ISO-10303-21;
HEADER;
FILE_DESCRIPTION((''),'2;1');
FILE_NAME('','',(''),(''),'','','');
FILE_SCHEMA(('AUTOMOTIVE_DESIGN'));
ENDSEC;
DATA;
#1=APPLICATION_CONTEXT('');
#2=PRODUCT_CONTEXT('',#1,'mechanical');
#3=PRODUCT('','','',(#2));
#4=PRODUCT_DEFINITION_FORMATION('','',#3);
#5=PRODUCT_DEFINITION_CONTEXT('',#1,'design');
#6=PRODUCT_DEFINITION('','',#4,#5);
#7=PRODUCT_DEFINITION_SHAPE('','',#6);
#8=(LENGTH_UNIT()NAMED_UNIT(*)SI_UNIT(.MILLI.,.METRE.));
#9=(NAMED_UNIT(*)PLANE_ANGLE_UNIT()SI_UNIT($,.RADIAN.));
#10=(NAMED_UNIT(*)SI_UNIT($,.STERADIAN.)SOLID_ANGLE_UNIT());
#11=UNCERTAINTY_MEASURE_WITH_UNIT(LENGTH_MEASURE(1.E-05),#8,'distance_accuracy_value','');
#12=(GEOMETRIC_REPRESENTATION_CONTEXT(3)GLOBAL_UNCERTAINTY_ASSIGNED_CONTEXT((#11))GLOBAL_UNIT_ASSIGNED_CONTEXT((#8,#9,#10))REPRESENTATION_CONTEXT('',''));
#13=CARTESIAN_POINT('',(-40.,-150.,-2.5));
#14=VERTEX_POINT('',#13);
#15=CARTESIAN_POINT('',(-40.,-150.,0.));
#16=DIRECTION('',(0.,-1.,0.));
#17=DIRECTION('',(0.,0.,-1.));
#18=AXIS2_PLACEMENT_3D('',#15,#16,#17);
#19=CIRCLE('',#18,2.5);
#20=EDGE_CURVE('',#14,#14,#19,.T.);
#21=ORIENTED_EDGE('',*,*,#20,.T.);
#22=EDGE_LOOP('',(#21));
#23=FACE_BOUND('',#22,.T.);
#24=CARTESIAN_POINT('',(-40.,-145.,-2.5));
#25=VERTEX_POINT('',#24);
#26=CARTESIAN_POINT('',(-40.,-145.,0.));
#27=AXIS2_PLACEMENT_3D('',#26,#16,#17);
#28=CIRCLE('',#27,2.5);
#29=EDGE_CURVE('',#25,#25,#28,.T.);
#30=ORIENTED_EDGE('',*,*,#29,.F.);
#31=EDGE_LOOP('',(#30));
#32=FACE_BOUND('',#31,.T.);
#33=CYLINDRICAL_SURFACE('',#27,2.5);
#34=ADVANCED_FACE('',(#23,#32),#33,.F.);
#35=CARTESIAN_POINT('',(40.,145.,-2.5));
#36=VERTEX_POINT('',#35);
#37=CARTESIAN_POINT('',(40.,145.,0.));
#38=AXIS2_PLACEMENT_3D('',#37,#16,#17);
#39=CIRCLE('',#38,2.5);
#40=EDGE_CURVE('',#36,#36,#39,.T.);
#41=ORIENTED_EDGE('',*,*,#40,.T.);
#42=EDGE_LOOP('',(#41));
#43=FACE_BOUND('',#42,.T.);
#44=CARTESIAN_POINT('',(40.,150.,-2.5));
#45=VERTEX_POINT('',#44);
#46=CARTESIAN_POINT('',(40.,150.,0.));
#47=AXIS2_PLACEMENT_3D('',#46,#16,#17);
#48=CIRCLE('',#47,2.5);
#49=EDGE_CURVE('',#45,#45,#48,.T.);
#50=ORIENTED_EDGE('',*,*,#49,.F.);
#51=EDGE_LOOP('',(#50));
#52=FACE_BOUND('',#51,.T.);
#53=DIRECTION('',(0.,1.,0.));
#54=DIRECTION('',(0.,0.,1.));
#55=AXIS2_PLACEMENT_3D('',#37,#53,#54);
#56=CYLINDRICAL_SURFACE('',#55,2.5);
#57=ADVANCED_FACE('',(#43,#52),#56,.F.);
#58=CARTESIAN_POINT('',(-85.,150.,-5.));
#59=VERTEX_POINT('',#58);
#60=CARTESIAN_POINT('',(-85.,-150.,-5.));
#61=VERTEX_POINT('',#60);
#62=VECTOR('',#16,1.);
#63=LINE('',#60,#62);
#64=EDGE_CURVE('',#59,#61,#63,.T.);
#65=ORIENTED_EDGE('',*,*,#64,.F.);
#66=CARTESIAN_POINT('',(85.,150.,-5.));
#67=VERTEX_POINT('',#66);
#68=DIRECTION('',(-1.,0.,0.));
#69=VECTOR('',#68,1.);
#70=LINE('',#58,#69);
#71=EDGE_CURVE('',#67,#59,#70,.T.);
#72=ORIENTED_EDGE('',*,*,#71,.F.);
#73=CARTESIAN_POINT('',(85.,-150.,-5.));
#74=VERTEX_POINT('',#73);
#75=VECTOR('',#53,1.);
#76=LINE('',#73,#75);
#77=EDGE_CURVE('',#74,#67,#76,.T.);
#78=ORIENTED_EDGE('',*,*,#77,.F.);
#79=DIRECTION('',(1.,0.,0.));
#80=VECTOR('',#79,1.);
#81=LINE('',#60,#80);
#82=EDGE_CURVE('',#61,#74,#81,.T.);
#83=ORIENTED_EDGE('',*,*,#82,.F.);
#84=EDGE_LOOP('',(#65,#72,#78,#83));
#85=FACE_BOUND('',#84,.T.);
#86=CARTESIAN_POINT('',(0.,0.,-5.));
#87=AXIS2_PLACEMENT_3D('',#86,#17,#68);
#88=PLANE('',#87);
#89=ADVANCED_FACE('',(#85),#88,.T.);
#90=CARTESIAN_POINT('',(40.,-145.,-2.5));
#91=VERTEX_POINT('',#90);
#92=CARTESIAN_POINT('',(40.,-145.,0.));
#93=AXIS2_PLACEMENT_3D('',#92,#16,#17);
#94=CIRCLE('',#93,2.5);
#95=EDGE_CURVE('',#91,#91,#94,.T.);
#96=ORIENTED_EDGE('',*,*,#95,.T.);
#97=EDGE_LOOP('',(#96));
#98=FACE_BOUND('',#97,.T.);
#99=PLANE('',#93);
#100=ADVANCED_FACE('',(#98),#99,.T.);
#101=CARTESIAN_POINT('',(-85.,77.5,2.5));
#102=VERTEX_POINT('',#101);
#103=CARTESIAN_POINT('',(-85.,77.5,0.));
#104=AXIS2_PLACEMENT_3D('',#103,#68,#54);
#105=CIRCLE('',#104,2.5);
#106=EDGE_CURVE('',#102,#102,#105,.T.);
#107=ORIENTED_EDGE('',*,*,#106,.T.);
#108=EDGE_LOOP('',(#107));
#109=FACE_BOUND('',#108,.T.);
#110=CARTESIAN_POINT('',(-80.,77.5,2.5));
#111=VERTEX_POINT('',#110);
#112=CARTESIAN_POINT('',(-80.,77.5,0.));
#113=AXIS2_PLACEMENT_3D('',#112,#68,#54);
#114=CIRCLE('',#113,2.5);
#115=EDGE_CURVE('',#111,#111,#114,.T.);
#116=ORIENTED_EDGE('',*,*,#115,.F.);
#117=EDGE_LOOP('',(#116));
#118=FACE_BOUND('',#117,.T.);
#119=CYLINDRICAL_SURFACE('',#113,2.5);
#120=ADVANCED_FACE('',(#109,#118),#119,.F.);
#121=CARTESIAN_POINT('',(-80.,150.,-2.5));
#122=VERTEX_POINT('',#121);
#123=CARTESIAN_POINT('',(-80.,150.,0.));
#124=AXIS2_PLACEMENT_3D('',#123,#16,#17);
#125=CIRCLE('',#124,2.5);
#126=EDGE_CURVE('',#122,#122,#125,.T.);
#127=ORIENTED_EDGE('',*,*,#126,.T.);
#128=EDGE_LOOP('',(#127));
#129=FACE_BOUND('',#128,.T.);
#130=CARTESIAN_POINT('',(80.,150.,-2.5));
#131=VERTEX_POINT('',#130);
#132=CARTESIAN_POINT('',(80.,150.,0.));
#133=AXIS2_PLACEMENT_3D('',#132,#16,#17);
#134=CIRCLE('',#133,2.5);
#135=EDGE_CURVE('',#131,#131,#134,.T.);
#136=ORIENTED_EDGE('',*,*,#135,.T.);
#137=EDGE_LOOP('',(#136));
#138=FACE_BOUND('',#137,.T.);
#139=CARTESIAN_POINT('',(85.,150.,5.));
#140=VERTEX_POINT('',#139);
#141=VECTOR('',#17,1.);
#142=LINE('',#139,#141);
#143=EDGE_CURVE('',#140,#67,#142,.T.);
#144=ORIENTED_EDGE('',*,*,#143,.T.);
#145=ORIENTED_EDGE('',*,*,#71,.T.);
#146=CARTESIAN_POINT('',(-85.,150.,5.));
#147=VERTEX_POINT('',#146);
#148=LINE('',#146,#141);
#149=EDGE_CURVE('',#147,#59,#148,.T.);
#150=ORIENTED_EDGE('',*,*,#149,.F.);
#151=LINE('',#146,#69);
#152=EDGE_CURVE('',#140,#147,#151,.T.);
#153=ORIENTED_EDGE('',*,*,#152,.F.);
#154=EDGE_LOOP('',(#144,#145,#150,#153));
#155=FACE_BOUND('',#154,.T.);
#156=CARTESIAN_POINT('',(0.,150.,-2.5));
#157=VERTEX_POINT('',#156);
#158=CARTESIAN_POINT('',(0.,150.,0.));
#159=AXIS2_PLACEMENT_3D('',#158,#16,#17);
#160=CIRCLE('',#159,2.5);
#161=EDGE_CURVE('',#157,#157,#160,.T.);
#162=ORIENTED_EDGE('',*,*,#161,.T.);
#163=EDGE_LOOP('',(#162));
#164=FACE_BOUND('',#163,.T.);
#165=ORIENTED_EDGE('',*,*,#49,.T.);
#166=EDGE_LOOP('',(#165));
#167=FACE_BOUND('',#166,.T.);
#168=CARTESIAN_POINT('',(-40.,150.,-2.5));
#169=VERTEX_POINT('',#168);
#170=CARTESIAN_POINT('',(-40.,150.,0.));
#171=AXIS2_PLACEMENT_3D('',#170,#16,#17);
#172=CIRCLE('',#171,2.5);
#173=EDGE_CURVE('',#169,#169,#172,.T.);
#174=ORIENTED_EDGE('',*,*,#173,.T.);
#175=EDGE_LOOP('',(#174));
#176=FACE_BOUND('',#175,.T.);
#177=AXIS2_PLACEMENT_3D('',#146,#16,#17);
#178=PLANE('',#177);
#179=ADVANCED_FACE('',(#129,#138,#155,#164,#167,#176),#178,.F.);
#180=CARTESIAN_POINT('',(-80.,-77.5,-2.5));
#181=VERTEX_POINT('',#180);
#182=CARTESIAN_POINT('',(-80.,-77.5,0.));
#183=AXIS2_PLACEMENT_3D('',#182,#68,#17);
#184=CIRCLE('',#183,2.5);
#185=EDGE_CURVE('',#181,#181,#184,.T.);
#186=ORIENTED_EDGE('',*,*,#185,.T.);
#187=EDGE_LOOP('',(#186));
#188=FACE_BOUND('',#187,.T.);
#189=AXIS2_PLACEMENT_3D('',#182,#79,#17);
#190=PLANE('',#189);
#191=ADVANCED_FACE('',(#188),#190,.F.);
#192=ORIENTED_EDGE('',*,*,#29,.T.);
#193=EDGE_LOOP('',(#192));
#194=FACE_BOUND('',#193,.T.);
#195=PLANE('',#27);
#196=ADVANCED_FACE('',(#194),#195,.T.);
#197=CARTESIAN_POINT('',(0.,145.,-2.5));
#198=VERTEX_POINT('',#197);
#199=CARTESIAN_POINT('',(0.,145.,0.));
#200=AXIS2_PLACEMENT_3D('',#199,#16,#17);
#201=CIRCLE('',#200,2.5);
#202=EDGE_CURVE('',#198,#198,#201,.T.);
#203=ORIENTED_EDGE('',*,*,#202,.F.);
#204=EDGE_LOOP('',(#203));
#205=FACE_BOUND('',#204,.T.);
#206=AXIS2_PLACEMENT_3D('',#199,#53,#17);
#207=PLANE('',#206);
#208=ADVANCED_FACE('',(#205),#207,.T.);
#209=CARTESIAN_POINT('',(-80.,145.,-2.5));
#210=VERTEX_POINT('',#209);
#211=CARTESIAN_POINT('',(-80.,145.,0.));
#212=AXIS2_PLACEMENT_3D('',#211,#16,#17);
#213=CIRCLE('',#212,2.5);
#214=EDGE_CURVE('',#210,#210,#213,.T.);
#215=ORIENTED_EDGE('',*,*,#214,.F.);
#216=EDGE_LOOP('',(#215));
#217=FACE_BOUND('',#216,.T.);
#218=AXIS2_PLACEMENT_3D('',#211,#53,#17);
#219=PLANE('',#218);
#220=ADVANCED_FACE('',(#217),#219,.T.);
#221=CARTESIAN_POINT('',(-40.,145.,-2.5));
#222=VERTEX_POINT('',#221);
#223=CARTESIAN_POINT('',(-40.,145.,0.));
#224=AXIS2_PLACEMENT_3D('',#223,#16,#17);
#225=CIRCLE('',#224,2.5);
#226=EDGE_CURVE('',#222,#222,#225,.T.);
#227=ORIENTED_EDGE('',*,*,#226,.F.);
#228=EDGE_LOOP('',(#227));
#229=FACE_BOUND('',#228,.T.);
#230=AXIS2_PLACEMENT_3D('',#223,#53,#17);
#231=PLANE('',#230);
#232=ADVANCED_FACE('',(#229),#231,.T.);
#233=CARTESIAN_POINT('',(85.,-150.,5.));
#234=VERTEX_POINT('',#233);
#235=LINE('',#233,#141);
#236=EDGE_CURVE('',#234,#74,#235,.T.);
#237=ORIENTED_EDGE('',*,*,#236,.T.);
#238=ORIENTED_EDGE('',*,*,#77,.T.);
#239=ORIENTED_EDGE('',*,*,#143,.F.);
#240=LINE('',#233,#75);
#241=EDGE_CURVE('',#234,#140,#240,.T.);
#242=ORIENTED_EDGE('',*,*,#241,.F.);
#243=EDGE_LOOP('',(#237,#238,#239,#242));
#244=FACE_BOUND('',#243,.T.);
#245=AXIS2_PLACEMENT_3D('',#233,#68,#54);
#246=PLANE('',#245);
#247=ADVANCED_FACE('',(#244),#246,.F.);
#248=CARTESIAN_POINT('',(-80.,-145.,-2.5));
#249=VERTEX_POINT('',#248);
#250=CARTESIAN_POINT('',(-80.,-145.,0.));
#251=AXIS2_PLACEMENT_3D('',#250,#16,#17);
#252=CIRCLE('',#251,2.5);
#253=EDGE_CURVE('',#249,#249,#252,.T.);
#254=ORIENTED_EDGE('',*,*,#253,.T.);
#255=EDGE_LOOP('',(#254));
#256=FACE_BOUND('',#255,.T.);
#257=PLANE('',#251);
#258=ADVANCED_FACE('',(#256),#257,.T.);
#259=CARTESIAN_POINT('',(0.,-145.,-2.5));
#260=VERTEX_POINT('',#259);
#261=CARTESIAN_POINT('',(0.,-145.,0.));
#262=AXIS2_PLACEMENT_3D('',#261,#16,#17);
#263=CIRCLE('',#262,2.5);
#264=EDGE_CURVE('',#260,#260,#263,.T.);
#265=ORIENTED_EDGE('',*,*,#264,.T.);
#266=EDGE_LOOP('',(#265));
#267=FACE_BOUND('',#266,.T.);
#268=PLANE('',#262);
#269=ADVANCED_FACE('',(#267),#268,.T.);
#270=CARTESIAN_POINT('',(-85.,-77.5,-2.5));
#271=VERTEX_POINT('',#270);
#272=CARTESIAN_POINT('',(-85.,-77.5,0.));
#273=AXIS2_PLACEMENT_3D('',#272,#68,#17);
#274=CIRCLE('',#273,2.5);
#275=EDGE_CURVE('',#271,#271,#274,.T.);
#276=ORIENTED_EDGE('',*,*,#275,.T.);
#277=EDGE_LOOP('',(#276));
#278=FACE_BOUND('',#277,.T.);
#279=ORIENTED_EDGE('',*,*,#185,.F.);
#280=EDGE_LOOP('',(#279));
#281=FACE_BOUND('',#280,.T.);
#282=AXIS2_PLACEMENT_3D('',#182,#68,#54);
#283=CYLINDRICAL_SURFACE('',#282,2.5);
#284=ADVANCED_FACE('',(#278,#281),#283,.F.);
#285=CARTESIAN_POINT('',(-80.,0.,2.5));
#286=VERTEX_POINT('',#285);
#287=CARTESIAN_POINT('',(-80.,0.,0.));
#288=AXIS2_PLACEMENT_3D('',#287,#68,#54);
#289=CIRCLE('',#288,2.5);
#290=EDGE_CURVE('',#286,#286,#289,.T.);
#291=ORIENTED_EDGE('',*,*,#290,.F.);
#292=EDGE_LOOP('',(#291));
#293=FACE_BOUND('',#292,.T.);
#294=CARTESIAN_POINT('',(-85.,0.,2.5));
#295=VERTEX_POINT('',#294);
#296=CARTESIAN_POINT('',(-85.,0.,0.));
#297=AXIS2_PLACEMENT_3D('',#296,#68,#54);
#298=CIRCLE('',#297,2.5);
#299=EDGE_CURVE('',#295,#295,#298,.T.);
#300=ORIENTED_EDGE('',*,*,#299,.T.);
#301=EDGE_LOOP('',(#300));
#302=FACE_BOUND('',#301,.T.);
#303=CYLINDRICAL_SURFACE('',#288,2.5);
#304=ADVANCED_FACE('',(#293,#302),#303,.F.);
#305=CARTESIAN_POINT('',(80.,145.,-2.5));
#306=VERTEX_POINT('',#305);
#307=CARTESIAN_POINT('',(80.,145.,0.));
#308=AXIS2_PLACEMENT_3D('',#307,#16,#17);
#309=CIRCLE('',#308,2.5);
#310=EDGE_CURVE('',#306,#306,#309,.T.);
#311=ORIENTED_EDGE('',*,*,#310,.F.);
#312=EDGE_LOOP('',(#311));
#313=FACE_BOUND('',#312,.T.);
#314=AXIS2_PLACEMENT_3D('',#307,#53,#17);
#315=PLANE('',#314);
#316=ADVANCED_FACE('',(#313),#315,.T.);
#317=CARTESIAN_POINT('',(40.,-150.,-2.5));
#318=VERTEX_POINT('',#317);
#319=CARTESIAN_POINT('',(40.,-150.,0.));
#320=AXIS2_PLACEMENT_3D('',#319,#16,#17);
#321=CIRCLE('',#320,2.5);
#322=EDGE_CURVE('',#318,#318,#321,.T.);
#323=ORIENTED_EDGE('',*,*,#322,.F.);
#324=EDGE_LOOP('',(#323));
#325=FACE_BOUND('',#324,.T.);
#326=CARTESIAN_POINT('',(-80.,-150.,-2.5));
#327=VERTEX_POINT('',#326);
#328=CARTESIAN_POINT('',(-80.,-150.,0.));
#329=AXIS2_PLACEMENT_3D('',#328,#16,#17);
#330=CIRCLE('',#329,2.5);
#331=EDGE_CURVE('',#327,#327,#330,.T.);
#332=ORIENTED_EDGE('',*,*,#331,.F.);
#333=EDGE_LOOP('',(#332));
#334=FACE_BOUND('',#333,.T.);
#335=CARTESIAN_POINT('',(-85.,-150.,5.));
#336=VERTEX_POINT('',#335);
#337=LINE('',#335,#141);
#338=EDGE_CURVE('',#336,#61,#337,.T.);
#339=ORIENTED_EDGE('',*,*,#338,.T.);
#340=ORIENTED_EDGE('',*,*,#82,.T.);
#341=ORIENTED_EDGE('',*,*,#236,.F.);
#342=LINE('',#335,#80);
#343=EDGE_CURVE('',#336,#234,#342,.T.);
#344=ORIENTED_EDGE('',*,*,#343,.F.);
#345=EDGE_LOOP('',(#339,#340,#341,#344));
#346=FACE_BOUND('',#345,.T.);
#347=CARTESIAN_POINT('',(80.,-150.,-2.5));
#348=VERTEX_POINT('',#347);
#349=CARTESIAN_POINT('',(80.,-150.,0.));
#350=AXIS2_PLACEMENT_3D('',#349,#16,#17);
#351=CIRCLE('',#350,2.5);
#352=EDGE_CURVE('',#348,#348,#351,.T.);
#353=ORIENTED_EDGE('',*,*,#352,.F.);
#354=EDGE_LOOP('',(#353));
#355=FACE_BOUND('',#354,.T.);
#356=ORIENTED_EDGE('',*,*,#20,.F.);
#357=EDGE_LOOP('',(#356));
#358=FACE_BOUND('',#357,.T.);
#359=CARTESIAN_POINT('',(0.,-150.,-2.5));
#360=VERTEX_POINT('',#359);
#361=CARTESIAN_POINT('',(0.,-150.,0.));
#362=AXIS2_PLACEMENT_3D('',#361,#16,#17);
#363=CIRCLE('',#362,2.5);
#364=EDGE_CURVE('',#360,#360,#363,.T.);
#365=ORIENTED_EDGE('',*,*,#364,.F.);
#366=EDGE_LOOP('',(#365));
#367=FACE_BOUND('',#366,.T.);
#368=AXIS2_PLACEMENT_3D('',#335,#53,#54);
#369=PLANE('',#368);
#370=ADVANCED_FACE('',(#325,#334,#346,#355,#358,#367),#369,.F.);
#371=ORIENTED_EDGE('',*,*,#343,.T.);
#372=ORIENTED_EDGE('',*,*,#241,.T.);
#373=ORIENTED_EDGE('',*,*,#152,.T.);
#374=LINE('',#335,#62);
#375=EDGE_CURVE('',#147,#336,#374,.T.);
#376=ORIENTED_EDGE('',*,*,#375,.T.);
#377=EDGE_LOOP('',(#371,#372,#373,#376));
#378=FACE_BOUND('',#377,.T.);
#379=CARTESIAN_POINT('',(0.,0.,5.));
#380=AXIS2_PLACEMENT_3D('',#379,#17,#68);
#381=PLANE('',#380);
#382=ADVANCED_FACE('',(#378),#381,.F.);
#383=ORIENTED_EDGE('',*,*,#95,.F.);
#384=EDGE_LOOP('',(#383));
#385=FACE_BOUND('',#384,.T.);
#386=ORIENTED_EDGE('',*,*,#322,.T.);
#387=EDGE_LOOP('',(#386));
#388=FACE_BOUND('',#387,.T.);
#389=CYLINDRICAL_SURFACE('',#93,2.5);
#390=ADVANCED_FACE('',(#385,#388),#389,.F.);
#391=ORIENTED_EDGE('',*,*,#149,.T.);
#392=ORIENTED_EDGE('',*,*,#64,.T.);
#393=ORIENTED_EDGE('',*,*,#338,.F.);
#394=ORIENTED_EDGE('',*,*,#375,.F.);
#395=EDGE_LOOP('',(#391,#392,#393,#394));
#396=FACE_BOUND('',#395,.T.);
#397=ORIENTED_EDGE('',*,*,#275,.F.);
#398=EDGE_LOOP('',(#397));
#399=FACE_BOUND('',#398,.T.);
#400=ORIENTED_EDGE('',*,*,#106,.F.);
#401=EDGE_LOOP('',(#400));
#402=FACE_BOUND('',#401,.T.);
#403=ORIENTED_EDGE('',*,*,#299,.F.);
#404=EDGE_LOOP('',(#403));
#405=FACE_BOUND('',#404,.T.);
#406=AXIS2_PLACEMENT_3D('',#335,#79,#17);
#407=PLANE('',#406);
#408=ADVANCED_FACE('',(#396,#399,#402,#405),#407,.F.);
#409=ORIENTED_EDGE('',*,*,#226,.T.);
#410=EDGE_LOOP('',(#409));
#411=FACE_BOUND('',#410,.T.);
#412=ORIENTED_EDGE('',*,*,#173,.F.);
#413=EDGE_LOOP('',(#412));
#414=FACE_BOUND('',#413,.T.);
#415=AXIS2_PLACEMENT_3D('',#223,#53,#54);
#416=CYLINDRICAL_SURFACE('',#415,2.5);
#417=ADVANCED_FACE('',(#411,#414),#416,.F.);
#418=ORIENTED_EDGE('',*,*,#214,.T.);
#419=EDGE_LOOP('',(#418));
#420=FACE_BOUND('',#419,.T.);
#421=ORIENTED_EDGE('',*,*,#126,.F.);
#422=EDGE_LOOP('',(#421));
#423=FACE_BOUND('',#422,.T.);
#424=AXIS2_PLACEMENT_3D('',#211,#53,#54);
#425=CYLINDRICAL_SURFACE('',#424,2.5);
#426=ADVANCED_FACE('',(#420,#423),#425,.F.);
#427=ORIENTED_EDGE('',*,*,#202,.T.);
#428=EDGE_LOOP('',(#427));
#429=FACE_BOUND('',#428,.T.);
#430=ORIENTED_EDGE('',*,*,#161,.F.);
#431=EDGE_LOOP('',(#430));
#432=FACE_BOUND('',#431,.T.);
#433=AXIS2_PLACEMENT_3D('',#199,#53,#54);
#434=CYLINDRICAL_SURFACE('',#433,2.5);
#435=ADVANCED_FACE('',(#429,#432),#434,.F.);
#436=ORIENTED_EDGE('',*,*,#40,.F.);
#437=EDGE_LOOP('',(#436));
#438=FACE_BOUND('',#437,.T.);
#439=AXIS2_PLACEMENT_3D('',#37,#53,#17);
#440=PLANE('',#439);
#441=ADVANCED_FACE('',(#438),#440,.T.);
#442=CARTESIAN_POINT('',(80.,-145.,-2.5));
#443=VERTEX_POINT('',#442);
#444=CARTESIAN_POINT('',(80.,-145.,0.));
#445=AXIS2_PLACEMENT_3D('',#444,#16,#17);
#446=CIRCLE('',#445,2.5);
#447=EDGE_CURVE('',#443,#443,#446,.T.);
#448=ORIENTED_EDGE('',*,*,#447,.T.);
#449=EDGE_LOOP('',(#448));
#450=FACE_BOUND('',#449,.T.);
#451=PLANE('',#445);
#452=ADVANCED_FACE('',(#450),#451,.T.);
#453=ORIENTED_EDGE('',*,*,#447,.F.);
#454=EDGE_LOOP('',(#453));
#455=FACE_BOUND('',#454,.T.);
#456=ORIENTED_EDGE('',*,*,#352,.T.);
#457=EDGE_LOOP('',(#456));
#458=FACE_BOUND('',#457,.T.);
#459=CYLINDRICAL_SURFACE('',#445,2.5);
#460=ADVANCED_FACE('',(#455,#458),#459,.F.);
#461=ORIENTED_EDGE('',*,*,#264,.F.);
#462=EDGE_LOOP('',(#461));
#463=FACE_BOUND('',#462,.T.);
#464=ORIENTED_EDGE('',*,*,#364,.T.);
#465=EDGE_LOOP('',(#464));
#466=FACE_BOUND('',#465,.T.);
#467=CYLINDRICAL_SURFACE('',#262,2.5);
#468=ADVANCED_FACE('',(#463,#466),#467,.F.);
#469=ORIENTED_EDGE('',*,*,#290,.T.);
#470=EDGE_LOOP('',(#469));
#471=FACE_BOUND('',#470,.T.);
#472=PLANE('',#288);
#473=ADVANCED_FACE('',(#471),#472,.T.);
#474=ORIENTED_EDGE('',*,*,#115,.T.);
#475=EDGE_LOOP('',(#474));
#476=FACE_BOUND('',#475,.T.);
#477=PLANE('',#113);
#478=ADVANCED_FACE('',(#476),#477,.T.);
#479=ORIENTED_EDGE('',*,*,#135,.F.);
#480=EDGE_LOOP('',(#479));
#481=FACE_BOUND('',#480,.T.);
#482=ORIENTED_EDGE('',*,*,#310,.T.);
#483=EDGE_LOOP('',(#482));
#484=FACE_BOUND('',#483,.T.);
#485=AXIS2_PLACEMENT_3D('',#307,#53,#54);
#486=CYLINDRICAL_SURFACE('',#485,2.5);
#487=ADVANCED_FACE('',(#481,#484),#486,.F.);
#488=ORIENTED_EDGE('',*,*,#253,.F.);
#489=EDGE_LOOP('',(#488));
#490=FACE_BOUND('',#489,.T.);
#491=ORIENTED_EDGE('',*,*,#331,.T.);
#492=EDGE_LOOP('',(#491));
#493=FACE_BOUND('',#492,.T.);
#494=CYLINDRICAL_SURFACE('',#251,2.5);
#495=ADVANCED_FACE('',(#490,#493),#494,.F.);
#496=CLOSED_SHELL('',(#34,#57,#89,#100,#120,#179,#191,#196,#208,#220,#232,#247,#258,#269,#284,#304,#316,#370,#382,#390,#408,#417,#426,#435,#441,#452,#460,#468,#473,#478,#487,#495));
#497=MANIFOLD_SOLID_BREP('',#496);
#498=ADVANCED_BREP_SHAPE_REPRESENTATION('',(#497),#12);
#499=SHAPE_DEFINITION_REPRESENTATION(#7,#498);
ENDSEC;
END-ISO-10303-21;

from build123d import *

# Parameters (mm, degrees)
CROQUIS1_W              = 170
CROQUIS1_H              = 300
SALIENTE_EXTRUIR1_DEPTH = 5
CROQUIS3_R              = 2.5
CORTAR_EXTRUIR2_DEPTH   = 5
CROQUIS4_R              = 2.5
CORTAR_EXTRUIR3_DEPTH   = 5


with BuildPart() as part:
    # Croquis1 → Saliente-Extruir1 (new, symmetric)
    with BuildSketch(Plane.XY):
        Rectangle(CROQUIS1_W, CROQUIS1_H)
    extrude(amount=SALIENTE_EXTRUIR1_DEPTH, both=True)

    # Croquis3 → Cortar-Extruir2 (cut)
    with BuildSketch(Plane.XZ.offset(150)):
        with Locations(Location((80, 0, 0), (0, 0, 270))):
            Circle(CROQUIS3_R)
        with Locations(Location((40, 0, 0), (0, 0, 270))):
            Circle(CROQUIS3_R)
        with Locations(Location((0, 0, 0), (0, 0, 270))):
            Circle(CROQUIS3_R)
        with Locations(Location((-40, 0, 0), (0, 0, 270))):
            Circle(CROQUIS3_R)
        with Locations(Location((-80, 0, 0), (0, 0, 270))):
            Circle(CROQUIS3_R)
    cortar_extruir2 = extrude(amount=-CORTAR_EXTRUIR2_DEPTH, mode=Mode.SUBTRACT)

    # Simetría1: Cortar-Extruir2 across plane
    add(cortar_extruir2.mirror(Plane.ZX), mode=Mode.SUBTRACT)

    # Croquis4 → Cortar-Extruir3 (cut)
    with BuildSketch(Plane.ZY.offset(85)):
        Circle(CROQUIS4_R)
        with Locations((0, 77.5)):
            Circle(CROQUIS4_R)
        with Locations(Location((0, -77.5, 0), (0, 0, 180))):
            Circle(CROQUIS4_R)
    extrude(amount=-CORTAR_EXTRUIR3_DEPTH, mode=Mode.SUBTRACT)


solid = part.part
